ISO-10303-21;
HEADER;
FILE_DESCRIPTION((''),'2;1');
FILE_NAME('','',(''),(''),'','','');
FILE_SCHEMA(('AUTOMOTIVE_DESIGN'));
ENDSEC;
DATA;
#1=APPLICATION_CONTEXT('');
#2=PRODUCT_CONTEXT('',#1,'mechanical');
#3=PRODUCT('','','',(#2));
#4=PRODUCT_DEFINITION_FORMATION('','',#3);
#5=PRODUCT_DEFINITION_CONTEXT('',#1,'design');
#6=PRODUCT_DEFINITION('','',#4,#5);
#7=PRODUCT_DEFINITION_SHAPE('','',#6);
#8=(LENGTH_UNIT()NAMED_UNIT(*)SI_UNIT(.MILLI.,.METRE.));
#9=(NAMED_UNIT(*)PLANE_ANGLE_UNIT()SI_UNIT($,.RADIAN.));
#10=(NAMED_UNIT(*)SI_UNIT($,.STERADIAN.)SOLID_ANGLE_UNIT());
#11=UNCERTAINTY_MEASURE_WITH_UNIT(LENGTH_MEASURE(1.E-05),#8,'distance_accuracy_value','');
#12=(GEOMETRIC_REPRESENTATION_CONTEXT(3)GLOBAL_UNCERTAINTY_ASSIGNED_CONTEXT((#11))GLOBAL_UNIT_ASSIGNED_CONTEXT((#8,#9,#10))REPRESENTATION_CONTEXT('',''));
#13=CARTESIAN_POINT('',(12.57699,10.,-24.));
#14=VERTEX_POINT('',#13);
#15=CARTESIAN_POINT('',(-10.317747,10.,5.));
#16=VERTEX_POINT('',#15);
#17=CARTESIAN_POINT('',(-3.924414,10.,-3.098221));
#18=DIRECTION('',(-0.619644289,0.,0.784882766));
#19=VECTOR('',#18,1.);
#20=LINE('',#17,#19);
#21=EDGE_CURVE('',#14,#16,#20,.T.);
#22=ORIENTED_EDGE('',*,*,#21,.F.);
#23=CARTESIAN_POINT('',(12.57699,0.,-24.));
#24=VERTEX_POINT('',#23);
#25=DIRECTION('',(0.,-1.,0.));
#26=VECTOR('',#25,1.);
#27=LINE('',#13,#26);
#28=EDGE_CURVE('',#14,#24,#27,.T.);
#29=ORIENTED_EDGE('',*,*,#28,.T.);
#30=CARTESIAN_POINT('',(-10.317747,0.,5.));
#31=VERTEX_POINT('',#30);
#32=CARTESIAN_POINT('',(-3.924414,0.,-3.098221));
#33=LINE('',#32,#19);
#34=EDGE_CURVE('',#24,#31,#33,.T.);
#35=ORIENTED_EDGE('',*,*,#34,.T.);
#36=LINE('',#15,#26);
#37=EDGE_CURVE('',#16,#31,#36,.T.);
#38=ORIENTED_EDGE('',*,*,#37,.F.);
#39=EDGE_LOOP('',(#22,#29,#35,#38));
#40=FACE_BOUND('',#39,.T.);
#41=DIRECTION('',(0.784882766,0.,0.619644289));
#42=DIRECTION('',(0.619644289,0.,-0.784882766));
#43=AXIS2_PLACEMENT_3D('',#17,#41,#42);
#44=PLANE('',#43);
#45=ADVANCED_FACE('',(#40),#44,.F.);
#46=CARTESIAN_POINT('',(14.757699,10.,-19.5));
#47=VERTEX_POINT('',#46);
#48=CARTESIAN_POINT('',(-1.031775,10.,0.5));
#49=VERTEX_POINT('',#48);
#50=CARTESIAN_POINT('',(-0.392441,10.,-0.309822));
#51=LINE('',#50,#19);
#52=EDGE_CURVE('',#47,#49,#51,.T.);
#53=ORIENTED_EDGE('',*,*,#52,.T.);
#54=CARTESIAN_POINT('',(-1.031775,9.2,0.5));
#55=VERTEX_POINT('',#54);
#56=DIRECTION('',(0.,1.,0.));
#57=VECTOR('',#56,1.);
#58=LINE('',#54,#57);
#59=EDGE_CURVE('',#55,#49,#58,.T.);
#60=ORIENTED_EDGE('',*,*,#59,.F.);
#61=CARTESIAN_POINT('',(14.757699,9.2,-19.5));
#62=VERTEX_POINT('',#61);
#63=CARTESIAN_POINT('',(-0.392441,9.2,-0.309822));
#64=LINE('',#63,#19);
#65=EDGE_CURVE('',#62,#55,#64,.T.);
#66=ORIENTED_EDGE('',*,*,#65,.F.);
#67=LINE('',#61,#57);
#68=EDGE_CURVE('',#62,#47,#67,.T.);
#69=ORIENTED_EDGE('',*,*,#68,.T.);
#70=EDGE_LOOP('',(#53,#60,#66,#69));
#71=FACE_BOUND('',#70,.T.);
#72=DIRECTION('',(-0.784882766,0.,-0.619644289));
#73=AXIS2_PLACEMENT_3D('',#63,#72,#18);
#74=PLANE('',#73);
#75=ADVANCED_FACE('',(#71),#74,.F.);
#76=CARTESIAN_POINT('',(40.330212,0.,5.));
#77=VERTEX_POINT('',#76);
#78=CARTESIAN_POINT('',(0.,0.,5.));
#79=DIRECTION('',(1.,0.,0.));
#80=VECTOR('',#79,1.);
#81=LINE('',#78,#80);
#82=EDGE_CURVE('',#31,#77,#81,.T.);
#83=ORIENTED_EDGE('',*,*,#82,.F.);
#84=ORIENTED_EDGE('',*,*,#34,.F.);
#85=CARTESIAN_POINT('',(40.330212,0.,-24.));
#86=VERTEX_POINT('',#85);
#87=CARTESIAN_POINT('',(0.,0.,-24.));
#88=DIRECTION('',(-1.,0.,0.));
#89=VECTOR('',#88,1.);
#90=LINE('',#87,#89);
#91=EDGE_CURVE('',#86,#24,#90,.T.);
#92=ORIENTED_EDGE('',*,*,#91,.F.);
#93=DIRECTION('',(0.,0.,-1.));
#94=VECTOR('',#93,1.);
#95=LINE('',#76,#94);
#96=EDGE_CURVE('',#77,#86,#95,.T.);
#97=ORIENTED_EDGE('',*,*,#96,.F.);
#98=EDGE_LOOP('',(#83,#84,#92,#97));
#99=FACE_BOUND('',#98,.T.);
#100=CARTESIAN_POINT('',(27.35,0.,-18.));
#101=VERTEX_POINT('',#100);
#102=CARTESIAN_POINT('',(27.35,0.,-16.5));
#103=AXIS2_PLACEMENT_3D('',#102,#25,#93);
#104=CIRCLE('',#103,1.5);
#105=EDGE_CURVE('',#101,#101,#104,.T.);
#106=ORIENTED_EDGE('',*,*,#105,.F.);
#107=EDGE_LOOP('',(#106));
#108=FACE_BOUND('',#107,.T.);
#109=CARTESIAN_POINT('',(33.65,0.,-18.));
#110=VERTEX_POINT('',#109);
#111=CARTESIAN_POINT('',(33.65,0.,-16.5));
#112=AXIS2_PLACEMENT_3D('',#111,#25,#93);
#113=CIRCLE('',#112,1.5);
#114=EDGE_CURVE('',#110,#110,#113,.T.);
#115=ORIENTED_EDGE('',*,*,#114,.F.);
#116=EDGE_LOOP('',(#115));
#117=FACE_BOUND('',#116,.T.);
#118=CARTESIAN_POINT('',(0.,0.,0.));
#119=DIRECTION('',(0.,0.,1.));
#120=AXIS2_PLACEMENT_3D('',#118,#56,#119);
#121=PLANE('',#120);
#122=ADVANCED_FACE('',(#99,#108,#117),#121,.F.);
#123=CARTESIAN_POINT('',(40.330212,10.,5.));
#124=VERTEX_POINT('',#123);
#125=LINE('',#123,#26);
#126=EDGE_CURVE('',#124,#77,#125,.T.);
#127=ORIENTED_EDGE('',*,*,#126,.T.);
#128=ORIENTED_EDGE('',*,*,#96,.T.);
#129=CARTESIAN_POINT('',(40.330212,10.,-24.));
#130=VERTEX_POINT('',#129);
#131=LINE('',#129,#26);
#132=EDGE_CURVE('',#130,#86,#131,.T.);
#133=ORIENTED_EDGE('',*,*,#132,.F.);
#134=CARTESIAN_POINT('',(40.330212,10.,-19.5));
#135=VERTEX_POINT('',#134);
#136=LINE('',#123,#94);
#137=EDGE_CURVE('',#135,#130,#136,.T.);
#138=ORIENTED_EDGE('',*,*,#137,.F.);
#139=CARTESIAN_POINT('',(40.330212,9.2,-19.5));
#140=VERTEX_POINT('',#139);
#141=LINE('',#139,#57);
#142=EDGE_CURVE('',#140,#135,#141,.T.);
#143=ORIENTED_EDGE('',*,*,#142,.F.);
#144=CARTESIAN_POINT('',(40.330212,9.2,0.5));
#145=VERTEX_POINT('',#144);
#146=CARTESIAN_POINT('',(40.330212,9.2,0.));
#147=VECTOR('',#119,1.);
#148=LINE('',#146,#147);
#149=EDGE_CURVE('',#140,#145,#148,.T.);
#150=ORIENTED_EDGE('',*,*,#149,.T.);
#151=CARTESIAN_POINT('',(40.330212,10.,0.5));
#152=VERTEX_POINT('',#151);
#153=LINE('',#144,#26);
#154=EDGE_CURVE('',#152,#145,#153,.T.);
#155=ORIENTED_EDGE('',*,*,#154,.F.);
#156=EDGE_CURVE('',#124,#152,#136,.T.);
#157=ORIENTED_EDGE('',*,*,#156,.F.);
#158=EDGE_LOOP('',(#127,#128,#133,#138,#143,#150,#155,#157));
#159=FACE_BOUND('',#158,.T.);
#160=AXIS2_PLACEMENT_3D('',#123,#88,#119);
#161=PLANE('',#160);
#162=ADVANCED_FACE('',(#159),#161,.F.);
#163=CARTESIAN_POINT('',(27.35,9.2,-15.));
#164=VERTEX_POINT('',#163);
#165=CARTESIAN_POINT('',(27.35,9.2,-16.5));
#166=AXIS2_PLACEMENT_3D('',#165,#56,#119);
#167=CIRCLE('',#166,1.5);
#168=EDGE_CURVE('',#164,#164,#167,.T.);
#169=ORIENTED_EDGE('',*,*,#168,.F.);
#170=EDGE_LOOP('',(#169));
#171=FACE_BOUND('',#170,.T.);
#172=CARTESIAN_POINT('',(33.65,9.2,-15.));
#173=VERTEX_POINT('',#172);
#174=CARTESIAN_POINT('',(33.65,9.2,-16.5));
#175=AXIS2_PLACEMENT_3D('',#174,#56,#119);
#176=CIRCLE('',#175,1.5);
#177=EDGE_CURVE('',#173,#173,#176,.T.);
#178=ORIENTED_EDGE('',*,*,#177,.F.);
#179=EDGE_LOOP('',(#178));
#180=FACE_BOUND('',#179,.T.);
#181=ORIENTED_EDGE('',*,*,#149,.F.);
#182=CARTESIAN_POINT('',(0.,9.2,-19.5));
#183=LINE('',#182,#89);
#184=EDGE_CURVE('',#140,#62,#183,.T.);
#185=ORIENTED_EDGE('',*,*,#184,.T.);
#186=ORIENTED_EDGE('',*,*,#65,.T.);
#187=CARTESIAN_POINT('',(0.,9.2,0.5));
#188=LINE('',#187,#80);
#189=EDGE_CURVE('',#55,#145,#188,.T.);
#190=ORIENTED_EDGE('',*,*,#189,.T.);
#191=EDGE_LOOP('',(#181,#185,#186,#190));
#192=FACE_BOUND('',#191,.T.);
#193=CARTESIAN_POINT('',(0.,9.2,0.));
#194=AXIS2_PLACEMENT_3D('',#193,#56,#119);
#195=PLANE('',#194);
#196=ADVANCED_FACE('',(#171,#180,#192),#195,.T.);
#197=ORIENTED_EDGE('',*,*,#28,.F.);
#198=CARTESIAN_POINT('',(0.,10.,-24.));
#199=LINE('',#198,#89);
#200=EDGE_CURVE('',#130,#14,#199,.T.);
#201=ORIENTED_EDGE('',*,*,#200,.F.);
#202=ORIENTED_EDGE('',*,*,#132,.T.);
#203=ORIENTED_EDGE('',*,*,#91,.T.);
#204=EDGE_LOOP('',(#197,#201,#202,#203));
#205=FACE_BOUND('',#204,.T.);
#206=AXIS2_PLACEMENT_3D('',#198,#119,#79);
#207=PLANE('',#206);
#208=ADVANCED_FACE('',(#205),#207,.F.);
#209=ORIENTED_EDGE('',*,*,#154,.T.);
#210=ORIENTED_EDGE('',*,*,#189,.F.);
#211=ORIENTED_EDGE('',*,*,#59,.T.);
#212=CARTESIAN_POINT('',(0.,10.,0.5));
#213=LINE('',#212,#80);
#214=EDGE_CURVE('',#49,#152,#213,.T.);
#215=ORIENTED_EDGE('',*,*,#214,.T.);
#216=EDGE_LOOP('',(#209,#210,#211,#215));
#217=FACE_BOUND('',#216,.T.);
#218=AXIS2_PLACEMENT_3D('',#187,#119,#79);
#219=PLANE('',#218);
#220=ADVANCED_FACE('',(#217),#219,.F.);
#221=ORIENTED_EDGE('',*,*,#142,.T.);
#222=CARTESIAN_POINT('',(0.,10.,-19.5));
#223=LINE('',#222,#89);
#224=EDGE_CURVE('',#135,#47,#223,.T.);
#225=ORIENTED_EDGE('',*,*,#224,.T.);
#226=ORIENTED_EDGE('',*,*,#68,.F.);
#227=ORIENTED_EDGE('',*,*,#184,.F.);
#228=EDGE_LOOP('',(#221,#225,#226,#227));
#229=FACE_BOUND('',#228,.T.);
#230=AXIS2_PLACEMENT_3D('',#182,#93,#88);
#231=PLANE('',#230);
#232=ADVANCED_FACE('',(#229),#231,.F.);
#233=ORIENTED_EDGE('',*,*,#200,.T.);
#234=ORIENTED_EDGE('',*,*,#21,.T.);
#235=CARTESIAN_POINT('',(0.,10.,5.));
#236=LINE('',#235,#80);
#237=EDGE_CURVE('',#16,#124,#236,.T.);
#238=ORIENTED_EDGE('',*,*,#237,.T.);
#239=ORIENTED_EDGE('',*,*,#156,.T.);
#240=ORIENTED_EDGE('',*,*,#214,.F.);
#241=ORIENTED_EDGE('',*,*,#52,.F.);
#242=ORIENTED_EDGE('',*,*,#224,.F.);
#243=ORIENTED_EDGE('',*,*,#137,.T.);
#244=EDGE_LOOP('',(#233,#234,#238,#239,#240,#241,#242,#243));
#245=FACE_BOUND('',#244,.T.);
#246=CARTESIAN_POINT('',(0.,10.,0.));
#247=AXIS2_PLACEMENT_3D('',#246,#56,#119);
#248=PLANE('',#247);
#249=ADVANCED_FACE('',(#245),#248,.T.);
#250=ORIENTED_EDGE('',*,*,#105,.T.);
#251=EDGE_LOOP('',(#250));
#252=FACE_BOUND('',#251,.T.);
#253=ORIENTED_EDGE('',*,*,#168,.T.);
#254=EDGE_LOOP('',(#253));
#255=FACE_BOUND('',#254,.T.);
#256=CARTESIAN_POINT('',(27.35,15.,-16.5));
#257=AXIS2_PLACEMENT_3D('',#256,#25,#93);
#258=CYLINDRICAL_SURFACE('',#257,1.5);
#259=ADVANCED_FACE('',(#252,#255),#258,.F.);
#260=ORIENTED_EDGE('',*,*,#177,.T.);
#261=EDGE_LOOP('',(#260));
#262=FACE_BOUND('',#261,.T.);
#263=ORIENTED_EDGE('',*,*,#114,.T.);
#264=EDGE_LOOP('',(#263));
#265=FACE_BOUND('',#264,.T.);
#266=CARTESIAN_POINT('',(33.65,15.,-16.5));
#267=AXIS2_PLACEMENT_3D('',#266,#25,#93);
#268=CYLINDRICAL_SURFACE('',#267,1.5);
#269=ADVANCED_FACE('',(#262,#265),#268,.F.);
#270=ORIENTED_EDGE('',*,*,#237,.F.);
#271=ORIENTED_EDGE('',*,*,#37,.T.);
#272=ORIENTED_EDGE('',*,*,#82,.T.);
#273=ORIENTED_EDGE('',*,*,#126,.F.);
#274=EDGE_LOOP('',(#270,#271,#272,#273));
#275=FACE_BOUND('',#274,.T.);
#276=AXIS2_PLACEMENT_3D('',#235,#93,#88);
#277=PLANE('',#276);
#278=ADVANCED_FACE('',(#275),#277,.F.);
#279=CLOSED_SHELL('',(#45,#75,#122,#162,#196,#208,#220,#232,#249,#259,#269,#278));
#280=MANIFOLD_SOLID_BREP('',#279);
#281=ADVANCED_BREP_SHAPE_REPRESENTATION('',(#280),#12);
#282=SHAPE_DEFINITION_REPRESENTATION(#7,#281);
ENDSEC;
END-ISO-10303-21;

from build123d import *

# Parameters (mm, degrees)
BOSS_EXTRUDE1_DEPTH = 10
CUT_EXTRUDE1_START  = -10
SKETCH2_R           = 1.5
CUT_EXTRUDE1_DEPTH  = 0.8
CUT_EXTRUDE2_START  = -15
SKETCH2_3_R         = 1.5
CUT_EXTRUDE2_DEPTH  = 15
CUT_EXTRUDE3_DEPTH  = 76.909294374


with BuildPart() as part:
    # Sketch1 → Boss-Extrude1 (new body)
    # profile 1 of 2: a face of its own
    with BuildSketch(Plane(origin=(0, 0, 0), x_dir=(1, 0, 0), z_dir=(0, 1, 0))):
        Polygon((71.317746546, -5), (48.423009704, 24), (12.576990296, 24), (-10.317746546, -5), align=None)
        Polygon((15, 19), (0, 0), (61, 0), (46, 19), align=None, mode=Mode.SUBTRACT)
    # profile 2 of 2: a face of its own
    with BuildSketch(Plane(origin=(0, 0, 0), x_dir=(1, 0, 0), z_dir=(0, 1, 0))):
        Polygon((46, 19), (15, 19), (0, 0), (61, 0), align=None)
    extrude(amount=BOSS_EXTRUDE1_DEPTH)

    # Sketch2 → Cut-Extrude1 (cut)
    with BuildSketch(Plane.XZ.offset(CUT_EXTRUDE1_START)):
        Polygon((14.75769903, -19.5), (46.24230097, -19.5), (62.031774655, 0.5), (-1.031774655, 0.5), align=None)
        with Locations(Location((27.35, -16.5, 0), (0, 0, 90))):
            Circle(SKETCH2_R, mode=Mode.SUBTRACT)
        with Locations(Location((33.65, -16.5, 0), (0, 0, 90))):
            Circle(SKETCH2_R, mode=Mode.SUBTRACT)
    extrude(amount=CUT_EXTRUDE1_DEPTH, mode=Mode.SUBTRACT)

    # Sketch2<3> → Cut-Extrude2 (cut)
    with BuildSketch(Plane.XZ.offset(CUT_EXTRUDE2_START)):
        with Locations(Location((27.35, -16.5, 0), (0, 0, 270))):
            Circle(SKETCH2_3_R)
        with Locations(Location((33.65, -16.5, 0), (0, 0, 270))):
            Circle(SKETCH2_3_R)
    extrude(amount=CUT_EXTRUDE2_DEPTH, mode=Mode.SUBTRACT)

    # Sketch3 → Cut-Extrude3 (cut, through all)
    with BuildSketch(Plane.XZ):
        Polygon((40.330212267, 5), (40.330212267, -24), (48.423009704, -24), (71.317746546, 5), align=None)
    extrude(amount=-CUT_EXTRUDE3_DEPTH, mode=Mode.SUBTRACT)


solid = part.part
